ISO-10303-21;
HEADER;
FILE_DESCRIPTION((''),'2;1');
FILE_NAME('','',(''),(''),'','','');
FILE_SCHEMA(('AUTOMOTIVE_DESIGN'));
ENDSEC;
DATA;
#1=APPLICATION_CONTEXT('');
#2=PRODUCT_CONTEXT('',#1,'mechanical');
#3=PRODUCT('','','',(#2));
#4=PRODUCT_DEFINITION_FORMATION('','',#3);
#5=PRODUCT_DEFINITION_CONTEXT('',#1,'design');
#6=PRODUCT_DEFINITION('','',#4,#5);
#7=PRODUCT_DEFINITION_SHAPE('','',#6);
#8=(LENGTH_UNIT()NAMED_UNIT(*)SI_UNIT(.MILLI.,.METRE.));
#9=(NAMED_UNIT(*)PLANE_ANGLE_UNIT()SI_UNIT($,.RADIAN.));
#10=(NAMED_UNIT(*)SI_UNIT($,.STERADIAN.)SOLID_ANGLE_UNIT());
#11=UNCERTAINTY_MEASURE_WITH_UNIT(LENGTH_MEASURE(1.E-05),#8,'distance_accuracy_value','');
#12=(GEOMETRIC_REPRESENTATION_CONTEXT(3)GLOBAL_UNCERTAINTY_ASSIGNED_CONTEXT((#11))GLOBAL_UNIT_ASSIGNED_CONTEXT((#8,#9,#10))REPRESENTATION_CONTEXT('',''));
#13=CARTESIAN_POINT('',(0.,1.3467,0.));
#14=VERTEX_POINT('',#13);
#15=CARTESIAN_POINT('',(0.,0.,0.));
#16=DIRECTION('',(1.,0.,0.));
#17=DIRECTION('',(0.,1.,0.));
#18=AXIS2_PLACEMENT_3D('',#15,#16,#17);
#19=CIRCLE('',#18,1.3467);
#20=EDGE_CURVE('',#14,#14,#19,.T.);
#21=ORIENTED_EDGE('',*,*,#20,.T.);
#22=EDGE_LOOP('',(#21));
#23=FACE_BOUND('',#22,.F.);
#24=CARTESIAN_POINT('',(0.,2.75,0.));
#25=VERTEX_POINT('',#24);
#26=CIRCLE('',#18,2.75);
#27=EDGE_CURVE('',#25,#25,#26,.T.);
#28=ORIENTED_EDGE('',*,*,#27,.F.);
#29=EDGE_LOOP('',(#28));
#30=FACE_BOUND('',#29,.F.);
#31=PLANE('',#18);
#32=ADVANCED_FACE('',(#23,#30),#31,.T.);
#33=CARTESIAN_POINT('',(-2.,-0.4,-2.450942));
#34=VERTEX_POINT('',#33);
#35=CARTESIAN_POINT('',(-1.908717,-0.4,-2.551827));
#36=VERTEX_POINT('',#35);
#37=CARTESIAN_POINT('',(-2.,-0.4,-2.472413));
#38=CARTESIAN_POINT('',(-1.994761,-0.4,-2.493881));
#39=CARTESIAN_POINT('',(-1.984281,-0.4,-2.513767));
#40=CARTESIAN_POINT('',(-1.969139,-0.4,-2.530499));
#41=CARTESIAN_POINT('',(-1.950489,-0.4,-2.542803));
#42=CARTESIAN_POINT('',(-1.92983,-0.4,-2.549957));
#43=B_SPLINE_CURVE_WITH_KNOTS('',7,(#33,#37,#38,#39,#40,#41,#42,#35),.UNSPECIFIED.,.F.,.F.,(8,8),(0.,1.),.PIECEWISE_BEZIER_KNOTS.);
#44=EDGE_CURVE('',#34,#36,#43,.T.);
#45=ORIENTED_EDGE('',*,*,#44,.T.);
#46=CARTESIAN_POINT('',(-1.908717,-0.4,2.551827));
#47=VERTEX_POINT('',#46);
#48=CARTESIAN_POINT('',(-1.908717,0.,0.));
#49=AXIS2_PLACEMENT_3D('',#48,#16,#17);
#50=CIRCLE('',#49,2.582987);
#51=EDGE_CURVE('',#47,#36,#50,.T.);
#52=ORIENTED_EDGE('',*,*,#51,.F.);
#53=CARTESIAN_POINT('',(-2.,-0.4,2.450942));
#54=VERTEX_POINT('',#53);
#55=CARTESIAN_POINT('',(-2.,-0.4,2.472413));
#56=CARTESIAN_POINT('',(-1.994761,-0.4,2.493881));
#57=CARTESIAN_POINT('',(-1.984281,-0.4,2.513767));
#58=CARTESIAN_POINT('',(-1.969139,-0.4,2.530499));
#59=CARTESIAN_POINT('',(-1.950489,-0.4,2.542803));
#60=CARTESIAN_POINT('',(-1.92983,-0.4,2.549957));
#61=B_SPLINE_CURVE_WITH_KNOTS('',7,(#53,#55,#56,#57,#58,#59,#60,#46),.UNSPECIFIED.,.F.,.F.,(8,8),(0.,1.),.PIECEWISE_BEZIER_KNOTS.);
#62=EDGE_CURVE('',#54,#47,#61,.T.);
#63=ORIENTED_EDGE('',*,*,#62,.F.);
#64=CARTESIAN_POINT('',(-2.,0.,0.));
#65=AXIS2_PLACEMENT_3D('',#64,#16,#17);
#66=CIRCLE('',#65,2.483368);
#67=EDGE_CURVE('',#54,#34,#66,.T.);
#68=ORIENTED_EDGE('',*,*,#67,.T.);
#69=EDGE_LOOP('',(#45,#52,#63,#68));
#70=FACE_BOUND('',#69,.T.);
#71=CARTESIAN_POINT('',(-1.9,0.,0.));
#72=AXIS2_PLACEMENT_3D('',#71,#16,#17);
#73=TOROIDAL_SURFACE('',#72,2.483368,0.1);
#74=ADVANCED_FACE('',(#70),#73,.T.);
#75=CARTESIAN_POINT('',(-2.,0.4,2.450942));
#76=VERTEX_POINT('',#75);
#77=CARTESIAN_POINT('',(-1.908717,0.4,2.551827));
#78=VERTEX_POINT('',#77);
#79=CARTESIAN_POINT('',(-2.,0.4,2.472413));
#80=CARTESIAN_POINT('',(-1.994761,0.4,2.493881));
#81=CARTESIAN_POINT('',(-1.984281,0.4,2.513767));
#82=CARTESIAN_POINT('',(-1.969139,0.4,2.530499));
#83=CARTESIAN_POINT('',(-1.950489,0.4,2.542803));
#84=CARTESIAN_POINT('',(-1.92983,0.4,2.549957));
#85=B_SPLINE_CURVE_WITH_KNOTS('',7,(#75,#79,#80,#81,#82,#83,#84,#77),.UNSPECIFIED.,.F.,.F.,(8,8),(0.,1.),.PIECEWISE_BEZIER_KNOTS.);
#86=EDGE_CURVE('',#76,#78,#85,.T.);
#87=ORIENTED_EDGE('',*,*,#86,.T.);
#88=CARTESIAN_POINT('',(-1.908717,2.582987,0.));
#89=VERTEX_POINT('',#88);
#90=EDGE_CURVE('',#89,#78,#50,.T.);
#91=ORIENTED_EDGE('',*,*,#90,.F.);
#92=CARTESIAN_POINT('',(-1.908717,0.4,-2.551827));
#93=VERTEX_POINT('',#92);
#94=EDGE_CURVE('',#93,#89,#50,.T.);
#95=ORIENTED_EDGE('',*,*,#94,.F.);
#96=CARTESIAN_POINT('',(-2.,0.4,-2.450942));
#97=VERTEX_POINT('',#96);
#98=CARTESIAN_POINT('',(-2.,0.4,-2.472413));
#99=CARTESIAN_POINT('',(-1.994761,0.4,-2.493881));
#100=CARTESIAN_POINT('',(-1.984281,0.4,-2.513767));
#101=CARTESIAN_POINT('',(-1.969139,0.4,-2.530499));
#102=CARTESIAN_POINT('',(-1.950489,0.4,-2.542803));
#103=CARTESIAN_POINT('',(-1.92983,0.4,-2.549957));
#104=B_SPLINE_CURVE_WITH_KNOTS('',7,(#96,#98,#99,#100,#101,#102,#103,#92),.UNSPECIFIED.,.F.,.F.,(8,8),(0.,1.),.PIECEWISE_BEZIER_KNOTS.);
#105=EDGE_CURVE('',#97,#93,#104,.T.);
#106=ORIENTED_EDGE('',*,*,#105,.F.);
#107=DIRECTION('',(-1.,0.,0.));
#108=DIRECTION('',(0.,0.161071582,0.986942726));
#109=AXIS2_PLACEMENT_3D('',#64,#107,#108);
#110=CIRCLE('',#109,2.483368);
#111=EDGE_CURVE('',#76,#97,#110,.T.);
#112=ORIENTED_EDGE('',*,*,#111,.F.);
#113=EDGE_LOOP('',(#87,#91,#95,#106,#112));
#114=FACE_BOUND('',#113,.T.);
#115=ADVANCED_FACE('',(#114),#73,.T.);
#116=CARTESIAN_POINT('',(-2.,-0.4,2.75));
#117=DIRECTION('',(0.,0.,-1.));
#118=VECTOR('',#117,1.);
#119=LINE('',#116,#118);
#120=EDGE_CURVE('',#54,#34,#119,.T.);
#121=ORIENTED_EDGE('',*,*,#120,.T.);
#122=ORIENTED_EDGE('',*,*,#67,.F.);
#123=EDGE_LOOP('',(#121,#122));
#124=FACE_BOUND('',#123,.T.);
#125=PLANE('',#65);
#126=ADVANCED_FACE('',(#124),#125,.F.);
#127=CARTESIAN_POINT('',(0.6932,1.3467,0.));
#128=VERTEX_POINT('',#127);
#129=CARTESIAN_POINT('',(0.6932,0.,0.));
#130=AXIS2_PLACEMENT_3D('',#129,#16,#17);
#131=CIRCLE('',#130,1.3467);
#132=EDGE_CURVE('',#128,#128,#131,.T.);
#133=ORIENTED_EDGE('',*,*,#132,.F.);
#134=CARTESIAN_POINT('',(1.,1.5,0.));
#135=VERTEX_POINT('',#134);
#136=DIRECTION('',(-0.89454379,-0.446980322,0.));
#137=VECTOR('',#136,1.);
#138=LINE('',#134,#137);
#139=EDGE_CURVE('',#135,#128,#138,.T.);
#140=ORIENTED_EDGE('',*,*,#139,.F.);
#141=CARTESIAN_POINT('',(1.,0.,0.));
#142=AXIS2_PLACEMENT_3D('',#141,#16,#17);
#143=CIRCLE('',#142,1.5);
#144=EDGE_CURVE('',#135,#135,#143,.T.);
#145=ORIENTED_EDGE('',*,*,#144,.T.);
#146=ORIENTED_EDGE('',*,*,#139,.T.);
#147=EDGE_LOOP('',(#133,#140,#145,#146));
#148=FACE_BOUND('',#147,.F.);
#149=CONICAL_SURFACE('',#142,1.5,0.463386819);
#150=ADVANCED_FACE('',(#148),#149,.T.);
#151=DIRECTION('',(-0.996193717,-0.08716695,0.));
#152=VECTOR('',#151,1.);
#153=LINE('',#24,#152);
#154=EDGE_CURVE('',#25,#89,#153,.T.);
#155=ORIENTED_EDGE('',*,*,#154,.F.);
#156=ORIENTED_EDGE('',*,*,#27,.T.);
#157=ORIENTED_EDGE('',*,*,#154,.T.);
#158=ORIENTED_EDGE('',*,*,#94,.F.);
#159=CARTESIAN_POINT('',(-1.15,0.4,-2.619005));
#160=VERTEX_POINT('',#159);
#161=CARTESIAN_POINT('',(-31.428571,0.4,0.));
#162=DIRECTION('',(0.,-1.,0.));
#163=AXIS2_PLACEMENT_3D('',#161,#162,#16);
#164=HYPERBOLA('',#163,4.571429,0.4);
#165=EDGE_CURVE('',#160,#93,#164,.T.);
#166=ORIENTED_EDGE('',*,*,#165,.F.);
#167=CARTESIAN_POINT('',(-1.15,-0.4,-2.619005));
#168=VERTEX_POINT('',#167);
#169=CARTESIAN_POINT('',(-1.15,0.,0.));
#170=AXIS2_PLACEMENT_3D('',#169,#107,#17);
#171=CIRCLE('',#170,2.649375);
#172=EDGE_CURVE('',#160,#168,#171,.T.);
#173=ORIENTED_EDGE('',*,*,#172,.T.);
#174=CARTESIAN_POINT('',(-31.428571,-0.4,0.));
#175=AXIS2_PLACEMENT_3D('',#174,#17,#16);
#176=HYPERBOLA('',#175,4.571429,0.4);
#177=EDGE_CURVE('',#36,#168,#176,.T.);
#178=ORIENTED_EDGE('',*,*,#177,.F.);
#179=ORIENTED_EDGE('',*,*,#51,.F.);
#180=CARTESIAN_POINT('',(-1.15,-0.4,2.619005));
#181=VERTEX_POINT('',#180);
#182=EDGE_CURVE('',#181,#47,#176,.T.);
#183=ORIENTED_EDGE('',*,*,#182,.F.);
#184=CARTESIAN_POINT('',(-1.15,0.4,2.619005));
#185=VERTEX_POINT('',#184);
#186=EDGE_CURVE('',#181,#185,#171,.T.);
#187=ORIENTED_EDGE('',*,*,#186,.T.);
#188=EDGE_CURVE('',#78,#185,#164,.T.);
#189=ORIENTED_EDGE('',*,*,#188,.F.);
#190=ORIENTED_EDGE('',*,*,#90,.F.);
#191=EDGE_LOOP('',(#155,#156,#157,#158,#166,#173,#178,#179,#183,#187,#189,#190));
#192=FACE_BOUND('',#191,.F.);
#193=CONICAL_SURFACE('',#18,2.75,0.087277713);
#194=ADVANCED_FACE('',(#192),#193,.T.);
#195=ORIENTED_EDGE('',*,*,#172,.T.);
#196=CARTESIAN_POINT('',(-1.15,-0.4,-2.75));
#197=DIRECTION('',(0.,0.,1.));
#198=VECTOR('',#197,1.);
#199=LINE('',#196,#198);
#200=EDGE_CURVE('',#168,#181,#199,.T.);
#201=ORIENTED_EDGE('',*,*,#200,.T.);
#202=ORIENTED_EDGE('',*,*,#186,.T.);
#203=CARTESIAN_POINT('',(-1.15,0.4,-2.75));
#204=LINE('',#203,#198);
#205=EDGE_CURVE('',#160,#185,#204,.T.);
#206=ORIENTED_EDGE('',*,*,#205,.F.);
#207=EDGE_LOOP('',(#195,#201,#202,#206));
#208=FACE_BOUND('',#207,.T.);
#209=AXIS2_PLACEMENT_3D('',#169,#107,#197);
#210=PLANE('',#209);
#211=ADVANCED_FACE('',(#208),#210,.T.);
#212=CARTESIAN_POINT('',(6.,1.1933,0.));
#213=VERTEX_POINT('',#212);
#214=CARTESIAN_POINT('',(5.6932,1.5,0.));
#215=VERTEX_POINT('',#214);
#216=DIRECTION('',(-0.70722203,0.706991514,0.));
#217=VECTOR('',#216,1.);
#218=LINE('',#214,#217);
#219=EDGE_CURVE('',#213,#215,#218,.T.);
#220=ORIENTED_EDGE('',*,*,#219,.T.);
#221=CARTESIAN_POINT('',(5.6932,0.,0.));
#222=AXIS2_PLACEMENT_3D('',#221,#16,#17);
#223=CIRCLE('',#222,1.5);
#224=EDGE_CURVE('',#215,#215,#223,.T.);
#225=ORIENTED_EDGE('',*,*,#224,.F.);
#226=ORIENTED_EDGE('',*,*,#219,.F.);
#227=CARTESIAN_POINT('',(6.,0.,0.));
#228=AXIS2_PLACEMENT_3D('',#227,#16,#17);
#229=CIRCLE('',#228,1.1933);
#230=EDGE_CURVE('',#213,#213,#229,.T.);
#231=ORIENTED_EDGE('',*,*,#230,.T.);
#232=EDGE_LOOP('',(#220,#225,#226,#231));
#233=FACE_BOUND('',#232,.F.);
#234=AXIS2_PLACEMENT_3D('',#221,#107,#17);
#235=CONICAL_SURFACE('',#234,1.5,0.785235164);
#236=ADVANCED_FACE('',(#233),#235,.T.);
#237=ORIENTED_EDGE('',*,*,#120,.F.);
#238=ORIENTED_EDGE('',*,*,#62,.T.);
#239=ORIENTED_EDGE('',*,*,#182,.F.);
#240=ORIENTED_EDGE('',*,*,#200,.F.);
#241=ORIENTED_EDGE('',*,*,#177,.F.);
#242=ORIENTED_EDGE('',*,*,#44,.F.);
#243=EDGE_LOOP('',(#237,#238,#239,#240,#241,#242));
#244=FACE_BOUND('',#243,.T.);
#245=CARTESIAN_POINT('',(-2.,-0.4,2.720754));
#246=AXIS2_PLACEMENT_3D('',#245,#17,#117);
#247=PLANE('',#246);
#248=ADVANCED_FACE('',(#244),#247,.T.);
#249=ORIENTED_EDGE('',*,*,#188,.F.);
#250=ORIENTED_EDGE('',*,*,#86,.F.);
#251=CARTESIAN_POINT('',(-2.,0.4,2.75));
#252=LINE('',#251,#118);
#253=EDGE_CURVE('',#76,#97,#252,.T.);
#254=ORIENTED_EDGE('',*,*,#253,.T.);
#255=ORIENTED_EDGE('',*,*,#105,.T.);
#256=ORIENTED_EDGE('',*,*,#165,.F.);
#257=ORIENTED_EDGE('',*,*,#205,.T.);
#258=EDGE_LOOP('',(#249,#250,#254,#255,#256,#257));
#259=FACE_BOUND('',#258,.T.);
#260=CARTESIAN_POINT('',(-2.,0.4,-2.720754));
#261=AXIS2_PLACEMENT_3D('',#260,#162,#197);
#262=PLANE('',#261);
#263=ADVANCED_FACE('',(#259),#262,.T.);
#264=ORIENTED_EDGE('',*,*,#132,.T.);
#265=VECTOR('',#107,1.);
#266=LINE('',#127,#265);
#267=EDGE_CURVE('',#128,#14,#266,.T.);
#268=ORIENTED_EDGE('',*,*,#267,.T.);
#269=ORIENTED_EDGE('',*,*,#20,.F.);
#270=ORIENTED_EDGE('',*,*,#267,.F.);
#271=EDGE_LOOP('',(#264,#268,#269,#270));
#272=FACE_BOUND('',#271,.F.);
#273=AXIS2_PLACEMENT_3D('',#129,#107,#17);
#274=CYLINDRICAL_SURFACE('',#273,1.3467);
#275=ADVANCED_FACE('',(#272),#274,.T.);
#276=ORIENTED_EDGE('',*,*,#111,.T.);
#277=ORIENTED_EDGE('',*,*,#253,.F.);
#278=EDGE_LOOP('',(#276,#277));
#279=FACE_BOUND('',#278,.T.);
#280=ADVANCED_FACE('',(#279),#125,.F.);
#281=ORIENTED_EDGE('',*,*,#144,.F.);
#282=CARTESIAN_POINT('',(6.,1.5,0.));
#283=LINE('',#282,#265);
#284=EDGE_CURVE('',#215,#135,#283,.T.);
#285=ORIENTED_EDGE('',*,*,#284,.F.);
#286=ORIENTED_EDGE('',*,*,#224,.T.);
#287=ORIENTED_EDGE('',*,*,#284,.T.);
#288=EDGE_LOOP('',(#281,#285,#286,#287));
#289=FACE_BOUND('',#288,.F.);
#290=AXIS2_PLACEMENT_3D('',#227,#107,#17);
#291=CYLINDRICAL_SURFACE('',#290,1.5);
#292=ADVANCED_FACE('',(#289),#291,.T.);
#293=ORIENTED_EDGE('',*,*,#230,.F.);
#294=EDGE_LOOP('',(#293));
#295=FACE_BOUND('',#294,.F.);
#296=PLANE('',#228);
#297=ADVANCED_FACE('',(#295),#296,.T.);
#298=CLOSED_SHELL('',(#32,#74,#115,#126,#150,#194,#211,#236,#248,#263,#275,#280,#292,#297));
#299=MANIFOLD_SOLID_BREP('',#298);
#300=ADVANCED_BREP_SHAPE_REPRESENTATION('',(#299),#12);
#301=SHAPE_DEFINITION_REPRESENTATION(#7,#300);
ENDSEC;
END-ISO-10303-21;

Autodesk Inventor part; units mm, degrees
ref_plane "YZ Plane" through (0, 0, 0) normal (1, 0, 0) x (0, 1, 0)
ref_plane "XZ Plane" through (0, 0, 0) normal (0, 1, 0) x (-1, 0, 0)
sketch "Sketch1" plane through (0, 0, 0) normal (0, 0, 1) x (1, 0, 0)
  line L0 (-2, 0) -> (6, 0)
  line L1 (6, 0) -> (6, 1.5)
  line L2 (6, 1.5) -> (1, 1.5)
  line L3 (1, 1.5) -> (0.6932, 1.3467)
  line L4 (0.6932, 1.3467) -> (0, 1.3467)
  line L5 (0, 1.3467) -> (0, 2.75)
  line L6 (-3.6, 0) -> (7.6, 0) projected
  line L7 (0, -0.55) -> (0, 3.3) projected
  line L8 (-2, 0) -> (-2, 2.575)
  line L9 (0, 2.75) -> (-2, 2.575)
  line L10 (1, 1.5) -> (0, 1.5) construction
  dimension "d0" = 6
  dimension "d1" = 5
  dimension "d2" = 0.3068
  dimension "d3" = 2
  dimension "d4" = 3
  dimension "d5" = 2.6935
  dimension "d9" = 5.5
  dimension "d10" = 5
revolve "Body" add sketch "Sketch1" angle 360 about axis through (-2, 0, 0) along (1, 0, 0)
sketch "Sketch2" plane through (-2, 0, 0) normal (-1, 0, 0) x (0, 0, 1)
  circle A0 centre (0, 0) radius 2.75 projected
  line L0 (0, 0) -> (0, 2.575) projected
  line L1 (-2.75, 0.4) -> (2.75, 0.4)
  line L2 (2.75, 0.4) -> (2.75, -0.4)
  line L3 (2.75, -0.4) -> (-2.75, -0.4)
  line L4 (-2.75, -0.4) -> (-2.75, 0.4)
  line L5 (-2.75, 0) -> (2.75, 0) construction
  line L6 (0, 0.4) -> (0, -0.4) construction
  dimension "d11" = 0.8
  dimension "d12" = 5.5
fillet "Fillet1" radius 0.1 1 edges at (-2, -2.575, 0)
extrude "Slot" cut sketch "Sketch2" against normal blind 0.85 contours A0 L3 L1 | L2 L3 A0 | A0 L1 L2 | A0 L4 L1 | L3 L4 A0
thread "Thread" size "M3x0.5" class "6g" standard "ISO Metric profile" length 5
chamfer "Chamfer1" distance 0.3067 distance2 0.3068 1 edges at (6, -1.5, 0) measured on face at (6, 0.8773, -0.3972)
ref_plane "Work Plane1" through (30.1625, 0, 0) normal (0, 0, -1) x (1, 0, 0)
equation "\"d11\" = SBR"
equation "\"d12\" = KOD"
equation "\"d14\" = RR"
equation "\"d19\" = STI"
equation "\"d15\" = GEL"
equation "\"d17\" = -0.5 * SPD + 0.5 * GD"
equation "\"d0\" = NLG"
equation "\"d1\" = GEL"
equation "\"d3\" = KOH"
equation "\"d4\" = GD"
equation "\"d5\" = BDM"
equation "\"d9\" = KOD"
equation "\"d10\" = KEWI"
equation "\"GD\" = NND"
equation "\"NLG\" = 6"
equation "\"GEL\" = 5"
equation "\"KOD\" = 5.5"
equation "\"KOH\" = 2"
equation "\"GAL\" = 0.61345 * PTC"
equation "\"SPD\" = NND - 1.2269 * PTC"
equation "\"BDM\" = 2.6935"
equation "\"GUL\" = 0.61345 * PTC"
equation "\"RR\" = 0.1"
equation "\"SBR\" = 0.8"
equation "\"STI\" = 0.85"
equation "\"KEWI\" = 5deg"
equation "\"PTC\" = 0.5"
equation "\"THREADDIA\" = 3"
equation "\"TOA\" = 30deg"
equation "\"NND\" = 3"
equation "\"GD1\" = THREADDIA - 1.2269 * PTC"
properties part number "ISO 1207 - M3 x 6" material "Stainless Steel, 440C"
